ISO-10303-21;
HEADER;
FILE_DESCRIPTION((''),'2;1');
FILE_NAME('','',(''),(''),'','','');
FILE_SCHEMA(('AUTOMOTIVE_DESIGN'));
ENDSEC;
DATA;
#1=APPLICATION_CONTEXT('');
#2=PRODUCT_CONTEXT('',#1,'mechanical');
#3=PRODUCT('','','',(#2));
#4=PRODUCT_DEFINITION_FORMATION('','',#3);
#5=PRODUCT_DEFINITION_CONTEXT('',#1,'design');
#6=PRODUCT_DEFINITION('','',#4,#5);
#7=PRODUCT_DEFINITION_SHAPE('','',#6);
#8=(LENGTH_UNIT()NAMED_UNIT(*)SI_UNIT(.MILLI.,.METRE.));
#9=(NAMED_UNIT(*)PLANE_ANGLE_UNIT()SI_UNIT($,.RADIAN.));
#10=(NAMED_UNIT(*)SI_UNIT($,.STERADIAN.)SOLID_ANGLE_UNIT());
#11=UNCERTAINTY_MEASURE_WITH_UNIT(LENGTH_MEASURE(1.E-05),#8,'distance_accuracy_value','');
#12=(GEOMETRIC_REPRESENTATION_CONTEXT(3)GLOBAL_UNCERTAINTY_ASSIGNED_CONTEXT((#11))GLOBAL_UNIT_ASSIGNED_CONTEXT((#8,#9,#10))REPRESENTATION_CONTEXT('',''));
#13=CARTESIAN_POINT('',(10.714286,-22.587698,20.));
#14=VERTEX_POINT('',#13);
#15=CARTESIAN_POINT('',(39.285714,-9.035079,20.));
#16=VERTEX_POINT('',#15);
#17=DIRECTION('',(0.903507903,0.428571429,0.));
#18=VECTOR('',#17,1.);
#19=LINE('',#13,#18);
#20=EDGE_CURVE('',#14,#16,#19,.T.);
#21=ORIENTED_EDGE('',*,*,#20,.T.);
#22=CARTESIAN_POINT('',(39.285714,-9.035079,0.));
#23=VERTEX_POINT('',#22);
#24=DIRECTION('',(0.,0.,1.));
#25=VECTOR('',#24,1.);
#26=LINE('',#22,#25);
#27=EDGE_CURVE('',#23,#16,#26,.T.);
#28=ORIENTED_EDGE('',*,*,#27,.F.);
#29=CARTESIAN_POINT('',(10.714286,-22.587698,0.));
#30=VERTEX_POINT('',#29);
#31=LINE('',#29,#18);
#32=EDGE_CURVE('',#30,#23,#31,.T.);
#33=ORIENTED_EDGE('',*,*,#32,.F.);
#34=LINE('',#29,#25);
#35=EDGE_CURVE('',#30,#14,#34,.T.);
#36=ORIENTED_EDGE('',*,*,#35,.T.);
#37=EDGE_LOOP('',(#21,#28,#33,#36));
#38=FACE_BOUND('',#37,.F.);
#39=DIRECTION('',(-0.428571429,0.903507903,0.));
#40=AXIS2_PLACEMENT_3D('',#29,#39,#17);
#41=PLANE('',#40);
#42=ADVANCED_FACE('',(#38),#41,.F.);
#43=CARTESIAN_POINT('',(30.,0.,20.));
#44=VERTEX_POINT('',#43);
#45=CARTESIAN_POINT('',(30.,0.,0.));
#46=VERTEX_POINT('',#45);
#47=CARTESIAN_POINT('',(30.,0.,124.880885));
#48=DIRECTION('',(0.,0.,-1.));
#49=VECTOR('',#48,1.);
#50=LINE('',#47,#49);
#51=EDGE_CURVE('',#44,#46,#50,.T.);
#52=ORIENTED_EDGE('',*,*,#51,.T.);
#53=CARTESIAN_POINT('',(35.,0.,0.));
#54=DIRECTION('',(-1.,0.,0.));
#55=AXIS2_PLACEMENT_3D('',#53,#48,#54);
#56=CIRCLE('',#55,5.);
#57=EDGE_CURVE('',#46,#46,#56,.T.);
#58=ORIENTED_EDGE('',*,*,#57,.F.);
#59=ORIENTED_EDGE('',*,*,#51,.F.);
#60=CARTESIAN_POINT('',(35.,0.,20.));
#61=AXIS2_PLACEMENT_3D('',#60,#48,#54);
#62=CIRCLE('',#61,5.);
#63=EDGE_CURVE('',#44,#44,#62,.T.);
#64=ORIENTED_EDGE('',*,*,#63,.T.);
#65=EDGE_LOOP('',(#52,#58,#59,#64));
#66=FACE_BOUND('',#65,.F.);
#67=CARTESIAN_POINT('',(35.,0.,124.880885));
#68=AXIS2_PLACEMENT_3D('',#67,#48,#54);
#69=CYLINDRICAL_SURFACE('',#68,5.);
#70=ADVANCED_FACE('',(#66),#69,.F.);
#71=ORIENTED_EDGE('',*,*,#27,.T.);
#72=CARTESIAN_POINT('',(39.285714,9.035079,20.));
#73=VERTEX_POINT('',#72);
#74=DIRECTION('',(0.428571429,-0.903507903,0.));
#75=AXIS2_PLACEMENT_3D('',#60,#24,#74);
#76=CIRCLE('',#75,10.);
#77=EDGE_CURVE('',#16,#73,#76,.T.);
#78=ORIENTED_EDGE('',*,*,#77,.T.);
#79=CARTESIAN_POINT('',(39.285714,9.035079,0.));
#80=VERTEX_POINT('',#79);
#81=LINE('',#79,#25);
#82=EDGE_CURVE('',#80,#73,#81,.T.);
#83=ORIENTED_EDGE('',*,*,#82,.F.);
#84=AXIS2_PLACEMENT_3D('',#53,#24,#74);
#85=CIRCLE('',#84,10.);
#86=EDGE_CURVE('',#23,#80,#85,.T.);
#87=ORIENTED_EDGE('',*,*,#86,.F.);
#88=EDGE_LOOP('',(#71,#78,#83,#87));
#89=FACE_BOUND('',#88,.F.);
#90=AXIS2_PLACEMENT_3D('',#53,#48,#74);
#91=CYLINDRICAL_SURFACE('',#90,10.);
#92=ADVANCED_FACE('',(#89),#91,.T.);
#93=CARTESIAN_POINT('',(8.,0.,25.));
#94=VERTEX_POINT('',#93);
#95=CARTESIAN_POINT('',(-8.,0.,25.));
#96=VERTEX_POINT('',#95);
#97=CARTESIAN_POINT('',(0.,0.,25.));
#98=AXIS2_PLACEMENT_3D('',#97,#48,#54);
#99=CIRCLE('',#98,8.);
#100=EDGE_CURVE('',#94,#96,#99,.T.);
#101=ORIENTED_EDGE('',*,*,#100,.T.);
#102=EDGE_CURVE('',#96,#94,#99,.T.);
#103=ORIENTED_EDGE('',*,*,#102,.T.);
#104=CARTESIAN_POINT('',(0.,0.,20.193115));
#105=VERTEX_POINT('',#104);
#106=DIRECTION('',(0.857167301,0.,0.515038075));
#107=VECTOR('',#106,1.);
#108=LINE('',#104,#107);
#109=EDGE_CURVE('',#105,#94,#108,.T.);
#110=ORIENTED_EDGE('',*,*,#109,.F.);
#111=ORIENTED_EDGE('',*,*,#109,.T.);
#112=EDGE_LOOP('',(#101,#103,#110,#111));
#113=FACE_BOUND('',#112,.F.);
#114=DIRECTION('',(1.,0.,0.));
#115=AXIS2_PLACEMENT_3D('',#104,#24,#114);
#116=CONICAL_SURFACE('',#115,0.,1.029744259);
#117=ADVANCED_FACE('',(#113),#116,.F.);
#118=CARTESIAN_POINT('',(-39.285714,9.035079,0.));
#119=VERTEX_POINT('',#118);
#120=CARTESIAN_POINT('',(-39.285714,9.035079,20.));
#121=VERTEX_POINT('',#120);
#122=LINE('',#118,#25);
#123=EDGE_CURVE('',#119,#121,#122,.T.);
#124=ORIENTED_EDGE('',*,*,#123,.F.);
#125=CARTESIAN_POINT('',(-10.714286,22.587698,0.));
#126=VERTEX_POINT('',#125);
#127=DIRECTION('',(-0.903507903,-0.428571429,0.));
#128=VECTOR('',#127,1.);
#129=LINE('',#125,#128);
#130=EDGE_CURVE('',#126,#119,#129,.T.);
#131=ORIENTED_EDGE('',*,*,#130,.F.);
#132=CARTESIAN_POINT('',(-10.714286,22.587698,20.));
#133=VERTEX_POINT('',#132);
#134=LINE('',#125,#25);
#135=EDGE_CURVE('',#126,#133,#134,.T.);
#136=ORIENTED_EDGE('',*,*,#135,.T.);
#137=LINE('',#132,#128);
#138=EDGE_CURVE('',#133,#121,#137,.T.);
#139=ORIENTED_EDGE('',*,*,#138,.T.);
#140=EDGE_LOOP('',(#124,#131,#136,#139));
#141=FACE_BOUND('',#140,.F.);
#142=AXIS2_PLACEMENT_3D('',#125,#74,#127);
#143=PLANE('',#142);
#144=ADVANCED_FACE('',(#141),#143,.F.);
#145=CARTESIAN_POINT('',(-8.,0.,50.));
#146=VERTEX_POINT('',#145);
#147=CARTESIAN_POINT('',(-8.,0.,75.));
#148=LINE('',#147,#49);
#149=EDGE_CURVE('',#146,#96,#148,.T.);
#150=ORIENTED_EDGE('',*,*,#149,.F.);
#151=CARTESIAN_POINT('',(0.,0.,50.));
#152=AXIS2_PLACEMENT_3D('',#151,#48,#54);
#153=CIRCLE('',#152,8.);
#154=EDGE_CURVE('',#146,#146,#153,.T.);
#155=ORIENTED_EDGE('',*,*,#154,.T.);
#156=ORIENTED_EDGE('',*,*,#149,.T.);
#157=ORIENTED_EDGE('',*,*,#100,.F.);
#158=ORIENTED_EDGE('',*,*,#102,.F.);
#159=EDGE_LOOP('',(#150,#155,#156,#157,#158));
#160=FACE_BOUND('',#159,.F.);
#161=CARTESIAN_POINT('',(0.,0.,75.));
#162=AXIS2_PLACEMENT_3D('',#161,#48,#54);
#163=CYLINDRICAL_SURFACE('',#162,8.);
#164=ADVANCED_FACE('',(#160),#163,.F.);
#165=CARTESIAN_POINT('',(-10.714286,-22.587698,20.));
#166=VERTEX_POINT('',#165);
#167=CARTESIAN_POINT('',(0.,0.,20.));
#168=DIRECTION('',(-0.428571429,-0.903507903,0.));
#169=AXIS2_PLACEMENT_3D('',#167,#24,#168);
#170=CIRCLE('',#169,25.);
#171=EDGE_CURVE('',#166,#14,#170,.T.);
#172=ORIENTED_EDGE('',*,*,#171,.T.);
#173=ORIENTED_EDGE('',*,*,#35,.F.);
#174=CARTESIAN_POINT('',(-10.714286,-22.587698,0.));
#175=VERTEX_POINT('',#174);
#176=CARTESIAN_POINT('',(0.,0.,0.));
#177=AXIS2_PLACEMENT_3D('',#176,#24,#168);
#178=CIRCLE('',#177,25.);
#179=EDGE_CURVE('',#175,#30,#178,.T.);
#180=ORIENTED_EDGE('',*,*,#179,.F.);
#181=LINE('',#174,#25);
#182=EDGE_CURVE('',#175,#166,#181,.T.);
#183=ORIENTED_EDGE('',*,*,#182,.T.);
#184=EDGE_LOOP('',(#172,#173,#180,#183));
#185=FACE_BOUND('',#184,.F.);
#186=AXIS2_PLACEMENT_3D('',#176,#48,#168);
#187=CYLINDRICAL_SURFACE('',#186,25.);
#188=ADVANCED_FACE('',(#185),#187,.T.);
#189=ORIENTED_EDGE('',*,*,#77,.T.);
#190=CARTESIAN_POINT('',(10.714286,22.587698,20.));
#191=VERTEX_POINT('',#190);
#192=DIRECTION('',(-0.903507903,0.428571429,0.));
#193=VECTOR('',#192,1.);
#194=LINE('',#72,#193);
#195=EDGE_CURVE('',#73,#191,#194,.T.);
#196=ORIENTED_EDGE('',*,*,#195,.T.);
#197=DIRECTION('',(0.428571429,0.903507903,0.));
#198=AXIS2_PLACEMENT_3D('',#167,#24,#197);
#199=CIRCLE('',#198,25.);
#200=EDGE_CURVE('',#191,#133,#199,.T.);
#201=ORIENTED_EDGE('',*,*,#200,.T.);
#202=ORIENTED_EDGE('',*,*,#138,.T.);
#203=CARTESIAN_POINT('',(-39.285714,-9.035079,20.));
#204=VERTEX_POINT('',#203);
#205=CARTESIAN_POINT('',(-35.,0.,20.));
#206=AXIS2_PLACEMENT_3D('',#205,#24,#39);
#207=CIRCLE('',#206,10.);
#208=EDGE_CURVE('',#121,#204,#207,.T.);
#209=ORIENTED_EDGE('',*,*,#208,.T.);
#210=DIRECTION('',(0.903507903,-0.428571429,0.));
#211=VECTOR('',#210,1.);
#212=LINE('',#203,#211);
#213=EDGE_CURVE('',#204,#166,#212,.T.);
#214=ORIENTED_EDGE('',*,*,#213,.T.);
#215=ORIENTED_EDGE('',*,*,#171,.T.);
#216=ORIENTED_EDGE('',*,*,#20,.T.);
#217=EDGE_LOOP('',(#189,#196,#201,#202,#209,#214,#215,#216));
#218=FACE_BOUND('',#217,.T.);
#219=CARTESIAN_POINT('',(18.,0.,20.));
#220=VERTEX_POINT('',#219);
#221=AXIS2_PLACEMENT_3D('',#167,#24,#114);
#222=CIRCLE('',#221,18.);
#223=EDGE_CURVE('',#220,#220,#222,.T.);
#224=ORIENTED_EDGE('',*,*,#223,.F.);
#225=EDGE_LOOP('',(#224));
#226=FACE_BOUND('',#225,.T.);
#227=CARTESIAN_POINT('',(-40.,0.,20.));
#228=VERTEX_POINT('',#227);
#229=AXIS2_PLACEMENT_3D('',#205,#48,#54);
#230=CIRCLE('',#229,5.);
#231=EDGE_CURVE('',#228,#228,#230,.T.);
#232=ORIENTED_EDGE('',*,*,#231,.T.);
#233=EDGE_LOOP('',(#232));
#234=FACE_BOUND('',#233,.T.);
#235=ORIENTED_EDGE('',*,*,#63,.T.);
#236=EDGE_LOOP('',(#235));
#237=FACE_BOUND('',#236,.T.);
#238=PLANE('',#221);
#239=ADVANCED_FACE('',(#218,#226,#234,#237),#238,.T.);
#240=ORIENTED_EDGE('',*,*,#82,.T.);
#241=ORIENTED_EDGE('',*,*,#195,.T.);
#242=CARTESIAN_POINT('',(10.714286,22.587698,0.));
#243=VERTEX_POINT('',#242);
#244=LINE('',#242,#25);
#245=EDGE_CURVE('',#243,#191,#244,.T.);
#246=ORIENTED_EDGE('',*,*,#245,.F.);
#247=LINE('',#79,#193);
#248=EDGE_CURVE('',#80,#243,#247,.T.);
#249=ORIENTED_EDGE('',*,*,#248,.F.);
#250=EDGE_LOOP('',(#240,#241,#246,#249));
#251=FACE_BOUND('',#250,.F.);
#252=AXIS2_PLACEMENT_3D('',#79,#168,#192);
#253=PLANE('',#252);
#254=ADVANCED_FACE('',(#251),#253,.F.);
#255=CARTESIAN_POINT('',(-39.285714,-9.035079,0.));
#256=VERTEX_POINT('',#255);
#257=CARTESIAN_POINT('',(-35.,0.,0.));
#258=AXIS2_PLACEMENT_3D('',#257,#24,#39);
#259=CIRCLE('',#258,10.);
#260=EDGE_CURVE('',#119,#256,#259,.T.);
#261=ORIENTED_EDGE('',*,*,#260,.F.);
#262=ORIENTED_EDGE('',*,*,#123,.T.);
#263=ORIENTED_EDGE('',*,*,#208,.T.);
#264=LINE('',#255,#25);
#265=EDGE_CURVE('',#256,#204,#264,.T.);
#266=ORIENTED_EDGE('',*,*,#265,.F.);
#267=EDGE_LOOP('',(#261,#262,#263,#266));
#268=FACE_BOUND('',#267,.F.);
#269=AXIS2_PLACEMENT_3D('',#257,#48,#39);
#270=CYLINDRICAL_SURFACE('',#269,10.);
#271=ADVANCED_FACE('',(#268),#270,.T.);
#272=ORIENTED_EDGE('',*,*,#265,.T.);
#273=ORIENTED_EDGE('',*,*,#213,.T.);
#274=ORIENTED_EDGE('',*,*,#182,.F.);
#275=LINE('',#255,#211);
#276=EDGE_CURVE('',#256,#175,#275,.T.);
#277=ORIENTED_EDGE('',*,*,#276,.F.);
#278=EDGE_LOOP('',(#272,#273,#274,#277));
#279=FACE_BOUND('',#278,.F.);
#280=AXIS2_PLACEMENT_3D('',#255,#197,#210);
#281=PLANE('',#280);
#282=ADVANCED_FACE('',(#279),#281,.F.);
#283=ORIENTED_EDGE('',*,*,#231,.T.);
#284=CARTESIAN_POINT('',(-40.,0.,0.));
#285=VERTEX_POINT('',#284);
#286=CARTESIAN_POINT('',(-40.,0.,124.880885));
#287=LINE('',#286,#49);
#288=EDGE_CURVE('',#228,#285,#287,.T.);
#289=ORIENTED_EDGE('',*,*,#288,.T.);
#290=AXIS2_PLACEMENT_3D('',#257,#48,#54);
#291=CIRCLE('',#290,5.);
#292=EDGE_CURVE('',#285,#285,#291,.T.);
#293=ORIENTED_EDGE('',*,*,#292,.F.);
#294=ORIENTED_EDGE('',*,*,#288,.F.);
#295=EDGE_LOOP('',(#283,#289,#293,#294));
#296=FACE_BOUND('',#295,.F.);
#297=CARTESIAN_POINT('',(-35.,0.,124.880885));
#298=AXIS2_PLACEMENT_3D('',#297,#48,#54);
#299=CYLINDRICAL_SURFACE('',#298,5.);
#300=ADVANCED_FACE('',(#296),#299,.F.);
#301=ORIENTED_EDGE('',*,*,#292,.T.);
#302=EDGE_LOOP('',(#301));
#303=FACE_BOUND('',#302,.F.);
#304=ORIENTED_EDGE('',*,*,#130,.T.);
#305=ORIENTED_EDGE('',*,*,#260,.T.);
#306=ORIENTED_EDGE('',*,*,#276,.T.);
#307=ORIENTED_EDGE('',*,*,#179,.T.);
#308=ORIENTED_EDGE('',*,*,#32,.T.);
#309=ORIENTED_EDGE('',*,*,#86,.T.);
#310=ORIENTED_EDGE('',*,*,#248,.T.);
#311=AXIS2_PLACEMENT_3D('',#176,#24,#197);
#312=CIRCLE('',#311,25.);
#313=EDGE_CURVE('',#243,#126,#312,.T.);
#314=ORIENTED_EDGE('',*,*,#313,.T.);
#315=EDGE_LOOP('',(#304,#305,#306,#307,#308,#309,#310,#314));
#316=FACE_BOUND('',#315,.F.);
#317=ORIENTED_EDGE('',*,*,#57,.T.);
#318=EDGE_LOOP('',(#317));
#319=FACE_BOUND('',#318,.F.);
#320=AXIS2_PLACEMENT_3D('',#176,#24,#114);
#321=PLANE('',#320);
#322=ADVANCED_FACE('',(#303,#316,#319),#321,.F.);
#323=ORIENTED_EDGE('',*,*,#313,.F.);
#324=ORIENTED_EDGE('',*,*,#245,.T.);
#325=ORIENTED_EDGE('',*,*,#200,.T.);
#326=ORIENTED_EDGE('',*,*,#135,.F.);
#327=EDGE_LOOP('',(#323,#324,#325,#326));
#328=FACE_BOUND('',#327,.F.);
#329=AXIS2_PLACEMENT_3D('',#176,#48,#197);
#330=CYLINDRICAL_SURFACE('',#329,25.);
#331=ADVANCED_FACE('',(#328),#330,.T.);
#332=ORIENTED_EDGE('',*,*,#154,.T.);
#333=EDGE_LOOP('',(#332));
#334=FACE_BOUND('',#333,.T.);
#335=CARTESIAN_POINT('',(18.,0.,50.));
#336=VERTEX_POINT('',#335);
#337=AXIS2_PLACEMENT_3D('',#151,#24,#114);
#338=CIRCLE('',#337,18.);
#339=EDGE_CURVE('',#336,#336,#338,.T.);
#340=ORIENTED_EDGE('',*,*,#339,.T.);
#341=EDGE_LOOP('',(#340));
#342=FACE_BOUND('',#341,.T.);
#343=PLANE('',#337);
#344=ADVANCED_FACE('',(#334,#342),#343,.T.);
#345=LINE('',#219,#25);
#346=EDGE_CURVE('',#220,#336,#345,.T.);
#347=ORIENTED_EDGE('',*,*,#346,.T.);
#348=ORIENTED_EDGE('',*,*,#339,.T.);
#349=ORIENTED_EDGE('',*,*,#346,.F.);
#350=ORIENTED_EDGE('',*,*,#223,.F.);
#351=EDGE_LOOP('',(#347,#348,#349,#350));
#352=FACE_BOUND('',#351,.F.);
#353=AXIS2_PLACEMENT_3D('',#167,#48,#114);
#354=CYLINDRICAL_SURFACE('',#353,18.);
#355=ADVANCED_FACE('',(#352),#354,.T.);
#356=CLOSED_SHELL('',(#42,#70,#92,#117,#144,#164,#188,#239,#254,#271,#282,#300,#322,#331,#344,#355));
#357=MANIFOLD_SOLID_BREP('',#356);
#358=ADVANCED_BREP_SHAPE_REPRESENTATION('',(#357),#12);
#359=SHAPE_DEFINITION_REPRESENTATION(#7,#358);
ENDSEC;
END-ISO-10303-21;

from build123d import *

# Parameters (mm, degrees)
F1_DEPTH = 20
F3_D     = 10
F2_R     = 18
F4_DEPTH = 30
F6_D     = 16
F6_DEPTH = 25
F6_TIP   = 4.8068849522


with BuildPart() as f1:
    # F0 (on Top) → F1 (new body)
    with BuildSketch(Plane.XY):
        with BuildLine():
            Line((-10.7142857143, 22.5876975726), (-39.2857142857, 9.0350790291))
            ThreePointArc((-39.2857142857, 9.0350790291), (-45, 0), (-39.2857142857, -9.0350790291))
            Line((-39.2857142857, -9.0350790291), (-10.7142857143, -22.5876975726))
            ThreePointArc((-10.7142857143, -22.5876975726), (0, -25), (10.7142857143, -22.5876975726))
            Line((10.7142857143, -22.5876975726), (39.2857142857, -9.0350790291))
            ThreePointArc((39.2857142857, -9.0350790291), (45, 0), (39.2857142857, 9.0350790291))
            Line((39.2857142857, 9.0350790291), (10.7142857143, 22.5876975726))
            ThreePointArc((10.7142857143, 22.5876975726), (0, 25), (-10.7142857143, 22.5876975726))
        make_face()
    extrude(amount=F1_DEPTH)

    # F3 (through all)
    with Locations(Plane.XY.offset(20)):
        with Locations((-35, 0), (35, 0)):
            Hole(F3_D / 2)

    # F2 (on face) → F4 (join)
    with BuildSketch(Plane.XY.offset(20)):
        Circle(F2_R)
    extrude(amount=F4_DEPTH)

    # F6
    with Locations(Plane.XY.offset(50)):
        with Locations((0, 0)):
            Hole(F6_D / 2, depth=F6_DEPTH)
            with Locations((0, 0, -(F6_DEPTH + F6_TIP / 2))):  # 118° drill point
                Cone(0, F6_D / 2, F6_TIP, mode=Mode.SUBTRACT)


solid = f1.part
